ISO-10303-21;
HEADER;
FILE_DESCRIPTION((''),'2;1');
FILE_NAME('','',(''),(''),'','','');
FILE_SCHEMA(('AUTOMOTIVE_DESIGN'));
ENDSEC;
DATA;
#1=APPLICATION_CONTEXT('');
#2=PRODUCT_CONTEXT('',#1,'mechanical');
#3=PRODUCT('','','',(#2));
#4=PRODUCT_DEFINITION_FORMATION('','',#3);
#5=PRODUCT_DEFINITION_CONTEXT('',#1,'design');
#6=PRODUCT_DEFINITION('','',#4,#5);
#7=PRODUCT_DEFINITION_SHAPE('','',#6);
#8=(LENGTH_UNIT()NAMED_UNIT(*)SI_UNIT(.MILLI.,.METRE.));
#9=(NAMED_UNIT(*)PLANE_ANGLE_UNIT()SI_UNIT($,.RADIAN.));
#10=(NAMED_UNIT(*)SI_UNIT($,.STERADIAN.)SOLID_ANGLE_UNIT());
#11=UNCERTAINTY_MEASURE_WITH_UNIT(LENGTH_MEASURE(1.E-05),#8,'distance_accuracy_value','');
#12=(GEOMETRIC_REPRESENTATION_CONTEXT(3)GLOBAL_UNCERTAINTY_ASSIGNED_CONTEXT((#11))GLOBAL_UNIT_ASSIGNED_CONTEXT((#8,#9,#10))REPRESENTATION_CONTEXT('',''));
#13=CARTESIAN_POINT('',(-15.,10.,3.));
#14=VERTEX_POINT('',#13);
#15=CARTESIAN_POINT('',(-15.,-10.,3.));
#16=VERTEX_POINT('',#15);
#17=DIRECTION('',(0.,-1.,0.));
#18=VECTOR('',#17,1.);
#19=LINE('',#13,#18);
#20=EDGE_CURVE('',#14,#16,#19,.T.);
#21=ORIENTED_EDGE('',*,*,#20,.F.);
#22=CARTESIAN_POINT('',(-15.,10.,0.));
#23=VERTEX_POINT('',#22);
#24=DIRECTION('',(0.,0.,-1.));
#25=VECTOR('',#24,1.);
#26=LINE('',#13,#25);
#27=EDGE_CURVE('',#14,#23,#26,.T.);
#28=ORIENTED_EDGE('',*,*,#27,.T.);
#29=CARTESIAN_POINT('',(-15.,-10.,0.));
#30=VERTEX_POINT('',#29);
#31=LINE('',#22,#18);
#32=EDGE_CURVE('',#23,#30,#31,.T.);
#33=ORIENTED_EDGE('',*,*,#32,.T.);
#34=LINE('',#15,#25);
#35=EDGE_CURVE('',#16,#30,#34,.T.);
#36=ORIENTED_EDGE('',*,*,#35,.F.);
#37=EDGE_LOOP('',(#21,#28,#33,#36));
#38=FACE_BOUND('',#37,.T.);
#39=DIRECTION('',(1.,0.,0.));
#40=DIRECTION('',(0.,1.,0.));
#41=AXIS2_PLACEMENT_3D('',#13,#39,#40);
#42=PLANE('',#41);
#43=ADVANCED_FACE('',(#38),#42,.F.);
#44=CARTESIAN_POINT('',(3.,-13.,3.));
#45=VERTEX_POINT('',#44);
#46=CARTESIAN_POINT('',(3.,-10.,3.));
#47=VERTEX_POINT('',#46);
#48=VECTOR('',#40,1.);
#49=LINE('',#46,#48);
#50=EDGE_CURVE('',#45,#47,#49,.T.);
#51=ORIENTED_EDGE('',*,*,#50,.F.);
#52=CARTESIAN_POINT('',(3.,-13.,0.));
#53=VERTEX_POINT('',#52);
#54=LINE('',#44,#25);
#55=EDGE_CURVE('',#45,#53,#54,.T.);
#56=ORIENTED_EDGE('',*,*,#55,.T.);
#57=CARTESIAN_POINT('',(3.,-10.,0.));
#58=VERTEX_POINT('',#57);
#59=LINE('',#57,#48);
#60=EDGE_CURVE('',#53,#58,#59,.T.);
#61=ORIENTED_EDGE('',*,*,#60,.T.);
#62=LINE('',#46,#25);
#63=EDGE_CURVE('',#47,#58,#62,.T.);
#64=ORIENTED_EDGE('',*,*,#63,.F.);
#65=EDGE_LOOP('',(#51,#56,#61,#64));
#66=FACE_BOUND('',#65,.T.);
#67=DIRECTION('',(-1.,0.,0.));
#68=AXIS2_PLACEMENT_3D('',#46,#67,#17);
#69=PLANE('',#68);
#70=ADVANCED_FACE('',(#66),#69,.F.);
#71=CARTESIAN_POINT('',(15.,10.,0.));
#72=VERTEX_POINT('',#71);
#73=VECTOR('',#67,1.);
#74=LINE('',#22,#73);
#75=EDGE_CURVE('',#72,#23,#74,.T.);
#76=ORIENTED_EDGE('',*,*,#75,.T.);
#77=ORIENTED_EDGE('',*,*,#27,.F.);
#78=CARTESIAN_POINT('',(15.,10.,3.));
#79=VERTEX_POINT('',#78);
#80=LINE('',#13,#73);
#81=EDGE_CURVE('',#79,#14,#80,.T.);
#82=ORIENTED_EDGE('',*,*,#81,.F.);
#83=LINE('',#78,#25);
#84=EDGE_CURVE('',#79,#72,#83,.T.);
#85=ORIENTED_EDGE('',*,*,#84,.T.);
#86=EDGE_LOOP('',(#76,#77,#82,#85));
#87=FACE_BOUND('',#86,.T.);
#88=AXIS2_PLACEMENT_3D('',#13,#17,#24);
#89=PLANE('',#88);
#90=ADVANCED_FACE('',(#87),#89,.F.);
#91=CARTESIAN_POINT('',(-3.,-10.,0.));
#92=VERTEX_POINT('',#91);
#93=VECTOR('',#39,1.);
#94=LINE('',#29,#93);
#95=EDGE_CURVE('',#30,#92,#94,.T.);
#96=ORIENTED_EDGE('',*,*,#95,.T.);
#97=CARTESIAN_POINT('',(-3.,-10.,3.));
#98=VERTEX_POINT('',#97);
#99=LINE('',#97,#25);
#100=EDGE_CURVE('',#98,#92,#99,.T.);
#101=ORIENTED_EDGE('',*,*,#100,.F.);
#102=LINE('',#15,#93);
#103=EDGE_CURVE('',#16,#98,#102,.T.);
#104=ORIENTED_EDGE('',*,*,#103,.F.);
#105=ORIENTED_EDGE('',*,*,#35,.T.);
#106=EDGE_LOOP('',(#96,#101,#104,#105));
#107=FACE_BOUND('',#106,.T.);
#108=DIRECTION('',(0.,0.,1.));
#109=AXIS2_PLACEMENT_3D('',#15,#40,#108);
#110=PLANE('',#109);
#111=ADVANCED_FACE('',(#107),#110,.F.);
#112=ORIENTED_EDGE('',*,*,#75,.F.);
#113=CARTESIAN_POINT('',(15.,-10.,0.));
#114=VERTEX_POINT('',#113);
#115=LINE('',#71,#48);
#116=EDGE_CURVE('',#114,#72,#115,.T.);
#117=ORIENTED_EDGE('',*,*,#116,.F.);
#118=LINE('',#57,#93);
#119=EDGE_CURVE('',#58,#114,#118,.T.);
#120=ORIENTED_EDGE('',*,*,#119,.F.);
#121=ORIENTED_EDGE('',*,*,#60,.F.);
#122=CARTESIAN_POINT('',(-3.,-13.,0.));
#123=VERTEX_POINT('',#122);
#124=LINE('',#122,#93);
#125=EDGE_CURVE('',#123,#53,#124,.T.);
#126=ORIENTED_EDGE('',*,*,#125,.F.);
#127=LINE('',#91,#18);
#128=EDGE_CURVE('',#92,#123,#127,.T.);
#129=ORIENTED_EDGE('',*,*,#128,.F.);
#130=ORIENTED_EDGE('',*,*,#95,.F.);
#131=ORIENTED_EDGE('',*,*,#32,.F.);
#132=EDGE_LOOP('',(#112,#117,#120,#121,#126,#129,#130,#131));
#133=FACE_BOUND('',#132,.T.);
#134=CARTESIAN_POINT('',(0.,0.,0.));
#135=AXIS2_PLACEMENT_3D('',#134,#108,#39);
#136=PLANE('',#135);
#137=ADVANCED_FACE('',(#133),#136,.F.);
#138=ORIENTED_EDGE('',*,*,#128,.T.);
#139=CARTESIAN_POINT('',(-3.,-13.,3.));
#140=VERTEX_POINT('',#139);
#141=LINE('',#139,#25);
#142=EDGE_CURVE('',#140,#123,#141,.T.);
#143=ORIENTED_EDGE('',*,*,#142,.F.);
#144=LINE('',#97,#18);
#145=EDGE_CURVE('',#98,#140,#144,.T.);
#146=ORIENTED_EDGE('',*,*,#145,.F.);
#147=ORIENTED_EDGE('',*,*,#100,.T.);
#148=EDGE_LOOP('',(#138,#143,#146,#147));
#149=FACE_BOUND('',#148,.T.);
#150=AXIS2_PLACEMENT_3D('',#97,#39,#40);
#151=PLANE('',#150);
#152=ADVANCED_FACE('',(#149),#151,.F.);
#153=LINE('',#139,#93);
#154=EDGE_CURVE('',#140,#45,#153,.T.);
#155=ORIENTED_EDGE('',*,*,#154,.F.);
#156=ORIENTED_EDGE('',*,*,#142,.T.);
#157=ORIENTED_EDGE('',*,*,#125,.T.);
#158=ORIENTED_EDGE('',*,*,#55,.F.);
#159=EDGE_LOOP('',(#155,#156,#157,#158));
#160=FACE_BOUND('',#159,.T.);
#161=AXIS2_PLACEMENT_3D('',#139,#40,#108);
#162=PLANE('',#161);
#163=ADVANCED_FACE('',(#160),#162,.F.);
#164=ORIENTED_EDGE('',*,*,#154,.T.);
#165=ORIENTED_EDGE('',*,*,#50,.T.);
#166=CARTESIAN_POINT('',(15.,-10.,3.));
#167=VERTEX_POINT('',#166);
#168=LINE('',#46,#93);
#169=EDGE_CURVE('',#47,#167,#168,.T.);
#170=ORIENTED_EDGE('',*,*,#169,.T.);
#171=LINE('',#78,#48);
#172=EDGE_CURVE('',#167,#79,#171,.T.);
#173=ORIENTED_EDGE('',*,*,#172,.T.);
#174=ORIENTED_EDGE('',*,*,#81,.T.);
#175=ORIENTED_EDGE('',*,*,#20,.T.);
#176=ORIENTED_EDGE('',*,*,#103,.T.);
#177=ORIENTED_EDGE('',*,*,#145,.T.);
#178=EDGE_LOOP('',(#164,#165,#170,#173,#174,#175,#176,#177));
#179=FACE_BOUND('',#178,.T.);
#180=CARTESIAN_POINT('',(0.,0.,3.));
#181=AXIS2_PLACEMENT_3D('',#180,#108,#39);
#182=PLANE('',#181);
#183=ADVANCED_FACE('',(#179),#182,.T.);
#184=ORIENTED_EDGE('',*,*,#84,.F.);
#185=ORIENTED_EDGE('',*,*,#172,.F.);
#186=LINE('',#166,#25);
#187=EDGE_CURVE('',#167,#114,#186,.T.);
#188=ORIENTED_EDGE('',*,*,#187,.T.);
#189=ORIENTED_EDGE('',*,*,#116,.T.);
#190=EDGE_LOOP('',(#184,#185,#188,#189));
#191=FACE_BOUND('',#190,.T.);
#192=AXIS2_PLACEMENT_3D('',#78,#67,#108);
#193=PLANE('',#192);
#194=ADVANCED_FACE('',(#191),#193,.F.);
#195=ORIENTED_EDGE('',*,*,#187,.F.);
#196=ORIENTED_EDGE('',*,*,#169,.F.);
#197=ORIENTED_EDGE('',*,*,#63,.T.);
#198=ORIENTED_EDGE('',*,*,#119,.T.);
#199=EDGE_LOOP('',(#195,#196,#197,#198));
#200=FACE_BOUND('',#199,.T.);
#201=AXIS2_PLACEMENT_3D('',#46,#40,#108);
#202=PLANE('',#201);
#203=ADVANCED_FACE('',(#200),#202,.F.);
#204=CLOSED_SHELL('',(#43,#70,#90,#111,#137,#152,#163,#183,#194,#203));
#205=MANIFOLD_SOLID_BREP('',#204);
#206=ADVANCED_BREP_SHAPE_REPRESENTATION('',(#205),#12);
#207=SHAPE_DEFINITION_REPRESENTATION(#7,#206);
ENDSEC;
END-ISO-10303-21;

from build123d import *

# Parameters (mm, degrees)
BOSS_EXTRUDE1_DEPTH = 3


with BuildPart() as part:
    # Sketch2 → Boss-Extrude1 (new body)
    with BuildSketch(Plane.XY):
        Polygon((3, -10), (15, -10), (15, 10), (-15, 10), (-15, -10), (-3, -10), (-3, -13), (3, -13), align=None)
    extrude(amount=BOSS_EXTRUDE1_DEPTH)


solid = part.part
